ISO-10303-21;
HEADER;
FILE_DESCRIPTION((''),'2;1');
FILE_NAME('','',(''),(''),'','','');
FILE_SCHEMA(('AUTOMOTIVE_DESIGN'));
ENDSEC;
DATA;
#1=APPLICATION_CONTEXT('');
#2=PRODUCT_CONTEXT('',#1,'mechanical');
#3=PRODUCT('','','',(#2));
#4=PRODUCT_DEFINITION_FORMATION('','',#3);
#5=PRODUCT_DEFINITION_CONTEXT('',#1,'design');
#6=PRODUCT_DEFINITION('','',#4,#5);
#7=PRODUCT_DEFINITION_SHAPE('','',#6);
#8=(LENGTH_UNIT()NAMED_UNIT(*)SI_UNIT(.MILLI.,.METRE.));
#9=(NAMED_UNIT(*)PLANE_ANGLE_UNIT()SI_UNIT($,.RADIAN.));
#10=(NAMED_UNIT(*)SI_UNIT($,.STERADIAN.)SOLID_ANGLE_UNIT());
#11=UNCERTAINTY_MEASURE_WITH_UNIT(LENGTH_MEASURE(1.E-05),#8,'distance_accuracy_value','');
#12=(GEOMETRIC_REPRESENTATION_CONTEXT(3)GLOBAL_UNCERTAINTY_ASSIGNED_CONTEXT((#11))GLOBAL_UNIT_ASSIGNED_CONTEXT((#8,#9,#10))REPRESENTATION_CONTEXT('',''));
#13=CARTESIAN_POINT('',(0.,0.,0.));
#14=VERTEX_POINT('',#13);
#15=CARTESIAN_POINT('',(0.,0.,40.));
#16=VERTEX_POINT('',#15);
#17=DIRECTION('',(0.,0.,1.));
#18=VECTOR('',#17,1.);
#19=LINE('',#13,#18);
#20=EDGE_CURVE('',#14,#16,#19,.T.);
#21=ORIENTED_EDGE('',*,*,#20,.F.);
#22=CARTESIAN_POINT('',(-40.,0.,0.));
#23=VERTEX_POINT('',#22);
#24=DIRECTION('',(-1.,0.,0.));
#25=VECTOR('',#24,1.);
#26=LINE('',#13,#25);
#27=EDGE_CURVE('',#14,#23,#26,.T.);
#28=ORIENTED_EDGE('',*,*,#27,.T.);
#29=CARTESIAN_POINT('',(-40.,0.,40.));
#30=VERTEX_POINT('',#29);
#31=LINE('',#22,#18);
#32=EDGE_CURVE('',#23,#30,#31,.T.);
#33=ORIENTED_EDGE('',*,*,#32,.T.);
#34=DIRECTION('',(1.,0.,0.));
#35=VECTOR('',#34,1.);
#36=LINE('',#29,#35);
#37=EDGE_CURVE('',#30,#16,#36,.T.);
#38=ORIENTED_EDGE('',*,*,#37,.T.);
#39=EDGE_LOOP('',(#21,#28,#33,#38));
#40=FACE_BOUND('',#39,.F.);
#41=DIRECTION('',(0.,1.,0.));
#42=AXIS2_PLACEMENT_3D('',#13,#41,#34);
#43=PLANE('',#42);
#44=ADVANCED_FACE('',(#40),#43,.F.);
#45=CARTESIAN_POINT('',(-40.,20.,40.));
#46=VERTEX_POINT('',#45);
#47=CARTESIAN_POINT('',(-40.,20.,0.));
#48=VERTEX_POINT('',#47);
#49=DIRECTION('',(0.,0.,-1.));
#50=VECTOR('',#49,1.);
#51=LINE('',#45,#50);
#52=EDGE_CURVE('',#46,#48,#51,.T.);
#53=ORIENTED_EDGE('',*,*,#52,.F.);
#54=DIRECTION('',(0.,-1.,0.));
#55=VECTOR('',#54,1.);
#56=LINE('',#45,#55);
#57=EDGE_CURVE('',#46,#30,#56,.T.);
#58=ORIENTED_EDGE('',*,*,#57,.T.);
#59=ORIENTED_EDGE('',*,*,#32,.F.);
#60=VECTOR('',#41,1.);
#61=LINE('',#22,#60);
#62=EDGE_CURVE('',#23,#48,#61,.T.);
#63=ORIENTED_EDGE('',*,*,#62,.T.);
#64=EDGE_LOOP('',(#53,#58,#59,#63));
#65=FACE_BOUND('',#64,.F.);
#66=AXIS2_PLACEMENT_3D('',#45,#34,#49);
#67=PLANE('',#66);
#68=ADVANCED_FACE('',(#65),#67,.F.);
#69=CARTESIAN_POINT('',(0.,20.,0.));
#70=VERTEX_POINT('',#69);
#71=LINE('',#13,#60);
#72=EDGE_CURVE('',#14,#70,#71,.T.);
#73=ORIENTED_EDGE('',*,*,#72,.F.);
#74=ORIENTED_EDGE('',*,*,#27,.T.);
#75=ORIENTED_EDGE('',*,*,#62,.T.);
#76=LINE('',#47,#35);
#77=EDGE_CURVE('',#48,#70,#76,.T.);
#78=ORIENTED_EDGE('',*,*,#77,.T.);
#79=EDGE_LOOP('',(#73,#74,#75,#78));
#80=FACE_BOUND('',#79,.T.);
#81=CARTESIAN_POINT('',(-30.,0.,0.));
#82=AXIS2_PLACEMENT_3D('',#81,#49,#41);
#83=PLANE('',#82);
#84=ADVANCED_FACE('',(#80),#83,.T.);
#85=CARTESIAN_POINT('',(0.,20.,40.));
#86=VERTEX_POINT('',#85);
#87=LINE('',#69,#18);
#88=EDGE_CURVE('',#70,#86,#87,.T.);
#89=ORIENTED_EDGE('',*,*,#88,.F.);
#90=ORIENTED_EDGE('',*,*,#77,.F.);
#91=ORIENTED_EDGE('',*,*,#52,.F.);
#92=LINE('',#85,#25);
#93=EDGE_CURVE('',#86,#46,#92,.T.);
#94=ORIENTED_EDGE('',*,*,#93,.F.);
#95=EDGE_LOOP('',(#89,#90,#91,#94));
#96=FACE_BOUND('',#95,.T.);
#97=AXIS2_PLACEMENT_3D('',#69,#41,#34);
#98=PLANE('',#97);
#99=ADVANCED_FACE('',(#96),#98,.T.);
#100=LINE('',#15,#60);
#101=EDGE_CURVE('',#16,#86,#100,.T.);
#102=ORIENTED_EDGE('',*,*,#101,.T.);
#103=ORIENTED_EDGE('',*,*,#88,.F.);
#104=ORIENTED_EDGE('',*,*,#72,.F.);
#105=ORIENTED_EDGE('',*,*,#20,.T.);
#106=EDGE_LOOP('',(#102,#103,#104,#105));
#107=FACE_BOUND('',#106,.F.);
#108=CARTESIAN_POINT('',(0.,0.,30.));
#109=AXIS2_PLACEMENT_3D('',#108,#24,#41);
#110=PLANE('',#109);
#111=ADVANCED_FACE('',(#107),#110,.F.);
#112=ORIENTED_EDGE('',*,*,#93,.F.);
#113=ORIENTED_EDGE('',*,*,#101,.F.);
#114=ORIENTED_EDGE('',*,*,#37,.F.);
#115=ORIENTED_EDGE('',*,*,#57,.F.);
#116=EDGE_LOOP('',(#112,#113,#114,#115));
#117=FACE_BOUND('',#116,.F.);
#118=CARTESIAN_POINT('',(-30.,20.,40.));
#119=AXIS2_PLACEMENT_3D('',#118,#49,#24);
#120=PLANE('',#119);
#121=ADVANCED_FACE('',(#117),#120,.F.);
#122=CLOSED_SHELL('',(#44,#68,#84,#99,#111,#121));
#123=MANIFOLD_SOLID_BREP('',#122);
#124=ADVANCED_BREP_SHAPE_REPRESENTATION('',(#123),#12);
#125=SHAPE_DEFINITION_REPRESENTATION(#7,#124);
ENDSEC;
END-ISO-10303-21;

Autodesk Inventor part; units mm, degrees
ref_plane "YZ Plane" through (0, 0, 0) normal (1, 0, 0) x (0, 1, 0)
ref_plane "XZ Plane" through (0, 0, 0) normal (0, 1, 0) x (-1, 0, 0)
ref_plane "XY Plane" through (0, 0, 0) normal (0, 0, 1) x (1, 0, 0)
sketch "Sketch1" plane through (0, 0, 0) normal (0, 1, 0) x (-1, 0, 0)
  line L0 (0, 0) -> (30, 0)
  line L1 (30, 0) -> (30, 30)
  line L2 (30, 30) -> (0, 30)
  line L3 (0, 30) -> (0, 0)
  dimension "d0" = 30
  dimension "d1" = 30
extrude "Extrusion1" add sketch "Sketch1" along normal blind 15
sketch "Sketch2" plane through (0, 15, 0) normal (0, 1, 0) x (1, 0, 0)
  line L0 (-30, 0) -> (-30, -30) projected
  line L1 (-30, -30) -> (0, -30) projected
  line L2 (-30, 0) -> (0, 0)
  line L3 (0, 0) -> (0, -30)
  line L4 (0, -30) -> (-30, -30)
  line L5 (-30, -30) -> (-30, 0)
extrude "Extrusion2" add sketch "Sketch2" along normal blind 5
sketch "Sketch3" plane through (-30, 0, 30) normal (0, 0, 1) x (1, 0, 0)
  line L0 (30, 0) -> (30, 20) projected
  line L1 (0, 0) -> (30, 0)
  line L2 (30, 0) -> (30, 20)
  line L3 (30, 20) -> (0, 20)
  line L4 (0, 20) -> (0, 0)
extrude "Extrusion3" add sketch "Sketch3" along normal blind 10
sketch "Sketch4" plane through (-30, 0, 0) normal (-1, 0, 0) x (0, 0, 1)
  line L0 (0, 0) -> (0, 20) projected
  line L1 (0, 0) -> (39.8587, 0)
  line L2 (39.8587, 0) -> (39.8587, 20)
  line L3 (39.8587, 20) -> (0, 20)
  line L4 (0, 20) -> (0, 0)
extrude "Extrusion4" add sketch "Sketch4" along normal blind 10
sketch "Sketch5" plane through (0, 20, 0) normal (0, 1, 0) x (1, 0, 0)
  line L0 (-30, -39.8587) -> (-40, -39.8587) projected
  line L1 (-30, -40) -> (0, -40) projected
  line L2 (-40, -39.8587) -> (-30, -39.8587)
  line L3 (-30, -39.8587) -> (-30, -40)
  line L4 (-30, -40) -> (-40, -40)
  line L5 (-40, -40) -> (-40, -39.8587)
  point P0 (0, 0)
extrude "Extrusion5" add sketch "Sketch5" against normal blind 20
properties part number "Servosmall"
